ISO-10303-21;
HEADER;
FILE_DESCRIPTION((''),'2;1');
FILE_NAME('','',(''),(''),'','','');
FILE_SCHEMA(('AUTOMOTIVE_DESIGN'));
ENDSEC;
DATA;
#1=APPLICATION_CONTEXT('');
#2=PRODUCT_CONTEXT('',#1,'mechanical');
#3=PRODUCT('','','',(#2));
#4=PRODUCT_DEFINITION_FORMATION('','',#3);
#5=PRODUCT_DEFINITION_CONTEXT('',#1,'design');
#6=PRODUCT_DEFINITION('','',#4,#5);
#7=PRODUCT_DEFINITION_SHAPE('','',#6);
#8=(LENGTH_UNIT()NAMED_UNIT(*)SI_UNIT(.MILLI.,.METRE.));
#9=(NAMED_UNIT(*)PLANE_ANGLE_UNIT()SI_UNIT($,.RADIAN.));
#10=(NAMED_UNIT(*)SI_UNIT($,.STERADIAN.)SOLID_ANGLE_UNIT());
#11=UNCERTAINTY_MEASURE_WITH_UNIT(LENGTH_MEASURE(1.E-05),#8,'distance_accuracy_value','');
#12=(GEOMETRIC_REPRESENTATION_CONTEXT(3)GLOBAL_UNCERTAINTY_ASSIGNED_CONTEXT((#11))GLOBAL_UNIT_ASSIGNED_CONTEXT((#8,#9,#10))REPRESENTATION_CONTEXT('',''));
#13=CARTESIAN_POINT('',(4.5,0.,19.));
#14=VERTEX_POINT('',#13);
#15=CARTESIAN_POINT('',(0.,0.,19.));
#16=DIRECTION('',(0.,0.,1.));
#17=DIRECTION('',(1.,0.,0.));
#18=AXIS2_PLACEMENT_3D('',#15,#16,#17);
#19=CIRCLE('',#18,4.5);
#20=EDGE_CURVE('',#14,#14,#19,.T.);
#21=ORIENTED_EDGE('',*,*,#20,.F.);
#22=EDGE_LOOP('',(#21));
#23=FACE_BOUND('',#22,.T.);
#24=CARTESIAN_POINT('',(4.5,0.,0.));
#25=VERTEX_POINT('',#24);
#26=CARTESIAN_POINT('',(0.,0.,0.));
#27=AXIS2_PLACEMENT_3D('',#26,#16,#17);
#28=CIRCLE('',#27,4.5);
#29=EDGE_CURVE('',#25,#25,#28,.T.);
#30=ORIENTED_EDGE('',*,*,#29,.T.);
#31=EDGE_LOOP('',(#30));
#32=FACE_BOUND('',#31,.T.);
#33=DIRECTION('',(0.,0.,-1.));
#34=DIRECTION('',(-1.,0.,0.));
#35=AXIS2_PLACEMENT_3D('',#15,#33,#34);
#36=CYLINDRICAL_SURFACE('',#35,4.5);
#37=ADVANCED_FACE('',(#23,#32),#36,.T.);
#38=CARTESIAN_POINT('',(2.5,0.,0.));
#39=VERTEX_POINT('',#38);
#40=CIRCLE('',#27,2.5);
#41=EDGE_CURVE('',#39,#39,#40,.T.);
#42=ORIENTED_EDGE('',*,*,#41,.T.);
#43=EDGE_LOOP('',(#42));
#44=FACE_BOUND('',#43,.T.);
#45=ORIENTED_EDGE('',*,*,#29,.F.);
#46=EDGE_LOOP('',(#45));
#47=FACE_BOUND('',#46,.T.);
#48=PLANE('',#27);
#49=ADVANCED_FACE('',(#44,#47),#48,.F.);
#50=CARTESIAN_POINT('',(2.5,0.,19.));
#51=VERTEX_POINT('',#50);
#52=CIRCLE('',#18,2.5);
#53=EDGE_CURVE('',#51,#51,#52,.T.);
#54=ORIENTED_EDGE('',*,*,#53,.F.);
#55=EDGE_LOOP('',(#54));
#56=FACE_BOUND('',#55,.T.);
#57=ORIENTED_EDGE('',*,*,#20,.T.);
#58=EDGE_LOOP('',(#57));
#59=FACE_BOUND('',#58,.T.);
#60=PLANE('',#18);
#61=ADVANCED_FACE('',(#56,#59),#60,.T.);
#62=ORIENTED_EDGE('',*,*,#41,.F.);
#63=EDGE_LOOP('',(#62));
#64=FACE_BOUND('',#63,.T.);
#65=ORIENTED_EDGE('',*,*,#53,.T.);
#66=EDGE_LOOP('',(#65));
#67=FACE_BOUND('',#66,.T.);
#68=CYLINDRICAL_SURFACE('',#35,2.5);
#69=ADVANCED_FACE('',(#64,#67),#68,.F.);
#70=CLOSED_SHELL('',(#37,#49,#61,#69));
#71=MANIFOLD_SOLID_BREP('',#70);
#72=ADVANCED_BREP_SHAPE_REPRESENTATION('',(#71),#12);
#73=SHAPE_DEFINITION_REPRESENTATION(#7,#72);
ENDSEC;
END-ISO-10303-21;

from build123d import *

# Parameters (mm, degrees)
SKETCH1_R           = 4.5
SKETCH1_R_2         = 2.5
BOSS_EXTRUDE1_DEPTH = 19


with BuildPart() as part:
    # Sketch1 → Boss-Extrude1 (new body)
    with BuildSketch(Plane.XY):
        Circle(SKETCH1_R)
        Circle(SKETCH1_R_2, mode=Mode.SUBTRACT)
    extrude(amount=BOSS_EXTRUDE1_DEPTH)


solid = part.part
